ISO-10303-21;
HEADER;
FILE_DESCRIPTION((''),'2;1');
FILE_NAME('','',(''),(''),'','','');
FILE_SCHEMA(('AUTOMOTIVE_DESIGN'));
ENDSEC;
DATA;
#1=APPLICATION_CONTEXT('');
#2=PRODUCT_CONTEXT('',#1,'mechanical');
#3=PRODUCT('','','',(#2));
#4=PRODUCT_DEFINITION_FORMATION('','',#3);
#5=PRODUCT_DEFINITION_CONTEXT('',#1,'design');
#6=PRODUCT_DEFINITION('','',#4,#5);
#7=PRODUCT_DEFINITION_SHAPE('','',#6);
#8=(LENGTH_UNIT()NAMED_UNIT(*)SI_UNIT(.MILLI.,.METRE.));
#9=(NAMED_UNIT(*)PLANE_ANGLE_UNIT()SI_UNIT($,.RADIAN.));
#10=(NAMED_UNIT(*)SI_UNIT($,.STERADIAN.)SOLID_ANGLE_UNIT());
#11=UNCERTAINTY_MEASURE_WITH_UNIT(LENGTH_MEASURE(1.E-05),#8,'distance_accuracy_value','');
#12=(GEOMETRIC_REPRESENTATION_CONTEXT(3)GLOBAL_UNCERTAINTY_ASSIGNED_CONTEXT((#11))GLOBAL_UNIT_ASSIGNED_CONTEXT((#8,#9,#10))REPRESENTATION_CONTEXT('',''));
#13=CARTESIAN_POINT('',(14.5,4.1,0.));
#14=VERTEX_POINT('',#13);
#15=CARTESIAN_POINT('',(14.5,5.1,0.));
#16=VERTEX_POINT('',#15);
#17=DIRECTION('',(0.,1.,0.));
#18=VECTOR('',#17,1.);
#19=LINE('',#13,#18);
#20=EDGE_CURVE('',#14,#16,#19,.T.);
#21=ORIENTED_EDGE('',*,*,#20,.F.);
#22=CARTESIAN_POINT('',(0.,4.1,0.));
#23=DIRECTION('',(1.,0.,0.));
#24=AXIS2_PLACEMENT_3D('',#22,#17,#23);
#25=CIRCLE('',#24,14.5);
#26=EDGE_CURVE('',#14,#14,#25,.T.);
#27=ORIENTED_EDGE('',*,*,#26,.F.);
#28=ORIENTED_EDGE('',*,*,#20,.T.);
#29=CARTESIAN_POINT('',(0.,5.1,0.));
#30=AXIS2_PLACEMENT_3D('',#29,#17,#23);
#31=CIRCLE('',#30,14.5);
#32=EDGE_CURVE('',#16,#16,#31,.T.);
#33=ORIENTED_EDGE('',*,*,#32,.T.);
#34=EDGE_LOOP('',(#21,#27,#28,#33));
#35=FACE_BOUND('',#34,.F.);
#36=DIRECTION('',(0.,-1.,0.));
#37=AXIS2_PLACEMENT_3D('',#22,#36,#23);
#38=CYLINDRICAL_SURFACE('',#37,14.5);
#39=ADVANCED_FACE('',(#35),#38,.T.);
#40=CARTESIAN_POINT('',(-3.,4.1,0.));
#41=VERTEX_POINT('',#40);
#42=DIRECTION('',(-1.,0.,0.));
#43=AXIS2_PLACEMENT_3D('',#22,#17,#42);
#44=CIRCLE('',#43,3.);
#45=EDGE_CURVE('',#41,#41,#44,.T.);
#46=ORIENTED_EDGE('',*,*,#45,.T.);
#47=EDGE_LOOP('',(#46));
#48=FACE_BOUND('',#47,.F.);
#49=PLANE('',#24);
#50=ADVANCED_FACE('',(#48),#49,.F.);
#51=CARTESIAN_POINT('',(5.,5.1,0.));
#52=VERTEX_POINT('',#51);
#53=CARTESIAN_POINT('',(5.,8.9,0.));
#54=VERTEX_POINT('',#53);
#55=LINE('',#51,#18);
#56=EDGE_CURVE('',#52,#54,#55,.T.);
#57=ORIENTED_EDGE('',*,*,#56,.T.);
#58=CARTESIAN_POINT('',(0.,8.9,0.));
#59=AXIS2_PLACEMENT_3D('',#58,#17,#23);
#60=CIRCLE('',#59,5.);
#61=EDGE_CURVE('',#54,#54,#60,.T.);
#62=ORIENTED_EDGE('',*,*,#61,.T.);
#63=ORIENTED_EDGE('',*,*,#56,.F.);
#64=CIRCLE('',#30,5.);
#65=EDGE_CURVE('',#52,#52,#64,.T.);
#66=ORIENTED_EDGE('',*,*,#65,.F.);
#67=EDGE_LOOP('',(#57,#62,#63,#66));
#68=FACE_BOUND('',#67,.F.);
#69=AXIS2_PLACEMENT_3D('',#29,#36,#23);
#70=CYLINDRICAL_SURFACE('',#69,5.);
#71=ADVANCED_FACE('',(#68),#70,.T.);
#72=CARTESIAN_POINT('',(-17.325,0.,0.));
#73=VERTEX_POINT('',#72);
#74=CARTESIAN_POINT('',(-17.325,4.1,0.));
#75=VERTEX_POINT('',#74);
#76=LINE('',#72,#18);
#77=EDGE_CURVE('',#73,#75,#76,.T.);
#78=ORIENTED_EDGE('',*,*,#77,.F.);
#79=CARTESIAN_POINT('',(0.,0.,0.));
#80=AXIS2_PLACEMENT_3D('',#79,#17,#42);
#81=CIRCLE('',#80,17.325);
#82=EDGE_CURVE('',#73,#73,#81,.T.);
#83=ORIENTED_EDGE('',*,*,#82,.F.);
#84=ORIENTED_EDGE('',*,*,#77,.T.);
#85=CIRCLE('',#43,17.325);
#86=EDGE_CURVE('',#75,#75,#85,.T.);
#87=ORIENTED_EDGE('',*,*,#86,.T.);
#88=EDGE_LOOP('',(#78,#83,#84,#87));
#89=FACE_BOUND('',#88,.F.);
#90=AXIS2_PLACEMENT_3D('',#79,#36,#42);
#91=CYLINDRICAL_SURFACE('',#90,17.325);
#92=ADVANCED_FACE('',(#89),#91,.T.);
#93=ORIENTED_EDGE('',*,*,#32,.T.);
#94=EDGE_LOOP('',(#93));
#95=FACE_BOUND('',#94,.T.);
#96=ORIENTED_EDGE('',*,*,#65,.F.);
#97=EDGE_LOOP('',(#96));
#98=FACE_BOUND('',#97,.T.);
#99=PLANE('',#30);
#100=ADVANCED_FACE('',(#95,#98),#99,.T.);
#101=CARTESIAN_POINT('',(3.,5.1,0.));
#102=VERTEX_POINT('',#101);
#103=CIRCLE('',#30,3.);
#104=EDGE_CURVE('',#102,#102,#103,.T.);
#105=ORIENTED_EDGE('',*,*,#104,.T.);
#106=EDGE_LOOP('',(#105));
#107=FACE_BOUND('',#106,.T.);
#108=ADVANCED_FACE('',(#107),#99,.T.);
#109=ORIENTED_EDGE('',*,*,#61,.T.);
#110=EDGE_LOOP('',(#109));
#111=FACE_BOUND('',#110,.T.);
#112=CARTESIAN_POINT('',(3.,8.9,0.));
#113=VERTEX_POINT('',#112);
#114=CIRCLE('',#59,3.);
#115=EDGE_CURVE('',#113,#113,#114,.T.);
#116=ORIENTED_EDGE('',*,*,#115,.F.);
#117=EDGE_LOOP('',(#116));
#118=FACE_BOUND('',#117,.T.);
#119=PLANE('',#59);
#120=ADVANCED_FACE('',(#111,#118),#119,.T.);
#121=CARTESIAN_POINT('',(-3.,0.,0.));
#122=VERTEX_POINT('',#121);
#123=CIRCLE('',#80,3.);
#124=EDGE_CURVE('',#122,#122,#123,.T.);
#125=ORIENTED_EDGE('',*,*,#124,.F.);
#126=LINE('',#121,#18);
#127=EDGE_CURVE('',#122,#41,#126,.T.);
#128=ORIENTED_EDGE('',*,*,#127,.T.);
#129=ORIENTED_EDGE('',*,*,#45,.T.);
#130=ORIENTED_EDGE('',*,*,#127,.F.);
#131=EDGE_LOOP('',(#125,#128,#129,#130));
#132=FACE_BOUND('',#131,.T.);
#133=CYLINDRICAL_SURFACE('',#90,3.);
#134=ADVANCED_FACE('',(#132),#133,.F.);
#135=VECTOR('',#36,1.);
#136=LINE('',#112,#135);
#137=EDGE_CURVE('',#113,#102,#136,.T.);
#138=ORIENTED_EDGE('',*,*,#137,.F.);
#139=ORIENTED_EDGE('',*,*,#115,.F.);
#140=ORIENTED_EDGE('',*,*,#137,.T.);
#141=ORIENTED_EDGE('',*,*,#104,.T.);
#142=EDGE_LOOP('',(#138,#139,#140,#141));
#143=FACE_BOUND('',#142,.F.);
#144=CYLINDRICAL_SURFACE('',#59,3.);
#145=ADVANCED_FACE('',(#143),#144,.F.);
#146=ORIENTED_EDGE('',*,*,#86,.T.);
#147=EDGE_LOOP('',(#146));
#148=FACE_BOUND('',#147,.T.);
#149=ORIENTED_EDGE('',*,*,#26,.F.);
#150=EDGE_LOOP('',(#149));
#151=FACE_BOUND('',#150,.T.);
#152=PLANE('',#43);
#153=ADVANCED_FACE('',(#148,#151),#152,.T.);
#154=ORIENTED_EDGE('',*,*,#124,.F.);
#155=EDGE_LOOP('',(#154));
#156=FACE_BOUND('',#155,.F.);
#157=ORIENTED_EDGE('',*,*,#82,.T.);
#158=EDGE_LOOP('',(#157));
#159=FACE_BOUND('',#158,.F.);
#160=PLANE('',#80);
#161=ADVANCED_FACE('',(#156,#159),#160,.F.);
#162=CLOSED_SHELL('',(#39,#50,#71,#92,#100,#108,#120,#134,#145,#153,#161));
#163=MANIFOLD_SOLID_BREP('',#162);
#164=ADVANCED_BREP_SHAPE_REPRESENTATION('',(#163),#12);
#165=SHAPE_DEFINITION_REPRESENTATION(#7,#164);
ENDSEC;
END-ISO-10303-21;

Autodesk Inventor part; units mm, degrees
ref_plane "YZ Plane" through (0, 0, 0) normal (1, 0, 0) x (0, 1, 0)
ref_plane "XZ Plane" through (0, 0, 0) normal (0, 1, 0) x (-1, 0, 0)
ref_plane "XY Plane" through (0, 0, 0) normal (0, 0, 1) x (1, 0, 0)
sketch "Sketch1" plane through (0, 0, 0) normal (0, 1, 0) x (-1, 0, 0)
  circle A0 centre (0, 0) radius 17.325
  circle A1 centre (0, 0) radius 3
  dimension "d0" = 34.65
  dimension "d1" = 6
extrude "Extrusion1" add sketch "Sketch1" along normal blind 4.1
sketch "Sketch2" plane through (0, 4.1, 0) normal (0, 1, 0) x (1, 0, 0)
  circle A0 centre (0, 0) radius 3 projected
  circle A1 centre (0, 0) radius 17.325 projected
  circle A2 centre (0, 0) radius 14.5
  dimension "d4" = 29
extrude "Extrusion2" add sketch "Sketch2" along normal blind 1 contours A2
sketch "Sketch3" plane through (0, 5.1, 0) normal (0, 1, 0) x (1, 0, 0)
  circle A0 centre (0, 0) radius 3 projected
extrude "Extrusion3" add sketch "Sketch3" against normal blind 1
sketch "Sketch4" plane through (0, 5.1, 0) normal (0, 1, 0) x (1, 0, 0)
  circle A0 centre (0, 0) radius 14.5 projected
  circle A1 centre (0, 0) radius 5
  dimension "d9" = 10
extrude "Extrusion4" add sketch "Sketch4" along normal blind 3.8 contours A1
sketch "Sketch5" plane through (0, 8.9, 0) normal (0, 1, 0) x (1, 0, 0)
  circle A0 centre (0, 0) radius 5 projected
  circle A1 centre (0, 0) radius 3
  dimension "d12" = 6
extrude "Extrusion5" cut sketch "Sketch5" against normal blind 3.8 contours A1
properties part number "kolecko_servo(2)"
